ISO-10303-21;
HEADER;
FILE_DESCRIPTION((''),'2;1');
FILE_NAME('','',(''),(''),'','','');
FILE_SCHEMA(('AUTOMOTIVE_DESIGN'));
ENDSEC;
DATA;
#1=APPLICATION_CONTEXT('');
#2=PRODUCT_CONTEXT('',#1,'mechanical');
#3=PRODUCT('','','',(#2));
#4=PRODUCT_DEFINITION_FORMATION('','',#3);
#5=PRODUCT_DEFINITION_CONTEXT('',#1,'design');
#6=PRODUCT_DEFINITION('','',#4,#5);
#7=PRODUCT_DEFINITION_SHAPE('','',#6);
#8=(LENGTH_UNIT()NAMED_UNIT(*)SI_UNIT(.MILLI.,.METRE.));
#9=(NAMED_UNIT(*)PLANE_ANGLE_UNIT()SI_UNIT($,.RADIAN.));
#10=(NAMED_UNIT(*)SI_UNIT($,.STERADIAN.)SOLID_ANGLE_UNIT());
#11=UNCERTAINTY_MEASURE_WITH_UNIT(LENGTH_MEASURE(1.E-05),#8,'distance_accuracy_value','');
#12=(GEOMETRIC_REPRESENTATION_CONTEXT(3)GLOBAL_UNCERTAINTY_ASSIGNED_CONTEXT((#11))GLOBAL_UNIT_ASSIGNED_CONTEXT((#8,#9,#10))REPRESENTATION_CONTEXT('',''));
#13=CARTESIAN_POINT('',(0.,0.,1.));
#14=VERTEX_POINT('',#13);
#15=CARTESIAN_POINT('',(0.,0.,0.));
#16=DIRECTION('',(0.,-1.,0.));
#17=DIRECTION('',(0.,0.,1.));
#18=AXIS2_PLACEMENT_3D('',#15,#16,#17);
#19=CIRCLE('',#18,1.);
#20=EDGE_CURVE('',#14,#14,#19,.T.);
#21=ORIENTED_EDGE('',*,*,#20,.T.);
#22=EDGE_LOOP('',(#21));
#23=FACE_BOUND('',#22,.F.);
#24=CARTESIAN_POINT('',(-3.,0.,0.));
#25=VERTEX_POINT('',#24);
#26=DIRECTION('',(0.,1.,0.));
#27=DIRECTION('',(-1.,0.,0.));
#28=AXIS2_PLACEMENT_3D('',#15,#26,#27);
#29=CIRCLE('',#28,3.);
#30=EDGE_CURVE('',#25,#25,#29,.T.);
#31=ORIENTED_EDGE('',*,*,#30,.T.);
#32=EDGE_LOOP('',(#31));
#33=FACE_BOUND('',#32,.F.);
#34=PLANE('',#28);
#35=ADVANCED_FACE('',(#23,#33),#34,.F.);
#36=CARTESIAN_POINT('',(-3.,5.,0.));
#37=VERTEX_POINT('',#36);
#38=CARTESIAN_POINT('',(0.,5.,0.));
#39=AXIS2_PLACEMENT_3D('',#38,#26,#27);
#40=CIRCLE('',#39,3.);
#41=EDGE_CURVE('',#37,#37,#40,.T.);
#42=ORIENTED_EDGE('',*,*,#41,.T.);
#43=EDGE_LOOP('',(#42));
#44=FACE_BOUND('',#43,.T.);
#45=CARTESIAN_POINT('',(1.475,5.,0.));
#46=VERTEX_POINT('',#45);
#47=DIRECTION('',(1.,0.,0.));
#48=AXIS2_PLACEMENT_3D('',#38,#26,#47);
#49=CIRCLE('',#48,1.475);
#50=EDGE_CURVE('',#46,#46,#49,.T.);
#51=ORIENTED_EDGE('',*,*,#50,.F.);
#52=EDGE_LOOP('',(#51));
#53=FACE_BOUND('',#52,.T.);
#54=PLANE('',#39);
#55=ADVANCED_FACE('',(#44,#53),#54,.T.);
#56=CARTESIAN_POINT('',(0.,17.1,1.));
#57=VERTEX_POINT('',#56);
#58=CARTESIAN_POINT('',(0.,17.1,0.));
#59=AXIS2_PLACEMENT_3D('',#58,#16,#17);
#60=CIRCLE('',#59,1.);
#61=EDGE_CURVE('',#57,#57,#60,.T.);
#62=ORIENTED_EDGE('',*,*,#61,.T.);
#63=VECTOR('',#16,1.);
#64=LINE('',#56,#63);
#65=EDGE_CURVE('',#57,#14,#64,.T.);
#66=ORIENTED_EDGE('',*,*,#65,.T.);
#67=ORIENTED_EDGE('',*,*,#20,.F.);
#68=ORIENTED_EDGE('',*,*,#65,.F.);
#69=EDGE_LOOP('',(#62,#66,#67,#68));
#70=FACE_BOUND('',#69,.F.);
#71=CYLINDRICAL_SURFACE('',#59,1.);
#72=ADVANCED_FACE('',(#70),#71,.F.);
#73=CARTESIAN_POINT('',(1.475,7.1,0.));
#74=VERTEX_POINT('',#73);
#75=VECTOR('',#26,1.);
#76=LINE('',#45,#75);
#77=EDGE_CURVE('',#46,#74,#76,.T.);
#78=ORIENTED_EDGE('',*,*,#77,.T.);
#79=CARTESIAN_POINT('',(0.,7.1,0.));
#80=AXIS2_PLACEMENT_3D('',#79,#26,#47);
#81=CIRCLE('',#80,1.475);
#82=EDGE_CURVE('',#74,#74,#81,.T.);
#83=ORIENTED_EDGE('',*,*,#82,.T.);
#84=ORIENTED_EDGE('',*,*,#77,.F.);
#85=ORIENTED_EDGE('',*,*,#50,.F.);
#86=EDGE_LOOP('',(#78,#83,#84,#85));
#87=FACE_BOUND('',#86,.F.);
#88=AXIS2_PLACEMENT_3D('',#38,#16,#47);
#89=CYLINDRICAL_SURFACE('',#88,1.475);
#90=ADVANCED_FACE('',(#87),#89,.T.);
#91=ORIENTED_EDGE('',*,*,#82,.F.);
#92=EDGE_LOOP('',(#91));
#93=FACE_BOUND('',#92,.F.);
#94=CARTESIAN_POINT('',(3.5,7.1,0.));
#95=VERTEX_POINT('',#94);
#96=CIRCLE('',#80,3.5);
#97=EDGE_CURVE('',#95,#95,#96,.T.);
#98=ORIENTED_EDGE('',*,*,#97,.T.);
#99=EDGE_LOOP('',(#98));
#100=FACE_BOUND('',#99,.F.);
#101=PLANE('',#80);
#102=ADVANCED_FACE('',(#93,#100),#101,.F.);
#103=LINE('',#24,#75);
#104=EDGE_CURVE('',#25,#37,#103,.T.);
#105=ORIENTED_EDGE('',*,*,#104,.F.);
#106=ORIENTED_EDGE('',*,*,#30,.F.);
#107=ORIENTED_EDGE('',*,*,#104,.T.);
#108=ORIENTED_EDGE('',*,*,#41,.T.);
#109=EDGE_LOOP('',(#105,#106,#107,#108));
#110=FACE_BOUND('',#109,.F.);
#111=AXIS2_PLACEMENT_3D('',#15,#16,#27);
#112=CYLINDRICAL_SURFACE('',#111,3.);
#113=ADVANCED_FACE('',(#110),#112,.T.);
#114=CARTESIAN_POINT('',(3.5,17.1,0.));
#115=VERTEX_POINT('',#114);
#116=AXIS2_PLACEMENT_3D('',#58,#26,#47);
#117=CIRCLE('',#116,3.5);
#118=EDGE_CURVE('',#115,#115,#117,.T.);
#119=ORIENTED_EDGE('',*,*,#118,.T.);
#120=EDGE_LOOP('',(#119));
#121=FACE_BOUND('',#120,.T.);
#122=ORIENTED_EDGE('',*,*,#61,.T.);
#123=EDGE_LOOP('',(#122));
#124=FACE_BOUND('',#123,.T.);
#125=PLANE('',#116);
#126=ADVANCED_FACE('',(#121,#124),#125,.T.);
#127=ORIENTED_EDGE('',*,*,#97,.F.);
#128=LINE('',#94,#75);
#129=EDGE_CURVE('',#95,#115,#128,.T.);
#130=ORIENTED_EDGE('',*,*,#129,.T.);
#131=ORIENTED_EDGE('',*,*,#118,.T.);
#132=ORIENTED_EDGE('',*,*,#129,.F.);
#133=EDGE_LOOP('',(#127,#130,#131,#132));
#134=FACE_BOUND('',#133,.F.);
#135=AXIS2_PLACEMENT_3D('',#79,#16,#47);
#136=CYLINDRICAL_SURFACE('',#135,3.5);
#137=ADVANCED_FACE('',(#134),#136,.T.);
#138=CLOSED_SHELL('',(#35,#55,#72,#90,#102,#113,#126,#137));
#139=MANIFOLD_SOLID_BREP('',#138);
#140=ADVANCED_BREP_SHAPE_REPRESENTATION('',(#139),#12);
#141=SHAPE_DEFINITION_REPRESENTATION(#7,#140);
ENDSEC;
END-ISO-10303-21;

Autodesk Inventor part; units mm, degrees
ref_plane "YZ Plane" through (0, 0, 0) normal (1, 0, 0) x (0, 1, 0)
ref_plane "XZ Plane" through (0, 0, 0) normal (0, 1, 0) x (-1, 0, 0)
ref_plane "XY Plane" through (0, 0, 0) normal (0, 0, 1) x (1, 0, 0)
sketch "Sketch2" plane through (0, 0, 0) normal (0, 1, 0) x (-1, 0, 0)
  circle A0 centre (0, 0) radius 3
  dimension "d0" = 6
extrude "Extrusion1" add sketch "Sketch2" along normal blind 5
sketch "Sketch3" plane through (0, 5, 0) normal (0, 1, 0) x (1, 0, 0)
  circle A0 centre (0, 0) radius 1.475
  dimension "d3" = 2.95
extrude "Extrusion2" add sketch "Sketch3" along normal blind 2.1
sketch "Sketch4" plane through (0, 7.1, 0) normal (0, 1, 0) x (1, 0, 0)
  circle A0 centre (0, 0) radius 3.5
  dimension "d6" = 7
extrude "Extrusion3" add sketch "Sketch4" along normal blind 10
sketch "Sketch5" plane through (0, 17.1, 0) normal (0, 1, 0) x (1, 0, 0)
  point P0 (0, 0)
  point P1 (0, 0)
hole "Hole1" at (0, 17.1, 0) direction (0, -1, 0) diameter 2 end through all
thread "Thread1" size "M6x1" class "6g" standard "ANSI Metric M Profile" full length
thread "Thread2" size "M7x1" class "6g" standard "ANSI Metric M Profile" full length
properties part number "Chimera Heatbreak" material "Aluminum 6061, Welded"
